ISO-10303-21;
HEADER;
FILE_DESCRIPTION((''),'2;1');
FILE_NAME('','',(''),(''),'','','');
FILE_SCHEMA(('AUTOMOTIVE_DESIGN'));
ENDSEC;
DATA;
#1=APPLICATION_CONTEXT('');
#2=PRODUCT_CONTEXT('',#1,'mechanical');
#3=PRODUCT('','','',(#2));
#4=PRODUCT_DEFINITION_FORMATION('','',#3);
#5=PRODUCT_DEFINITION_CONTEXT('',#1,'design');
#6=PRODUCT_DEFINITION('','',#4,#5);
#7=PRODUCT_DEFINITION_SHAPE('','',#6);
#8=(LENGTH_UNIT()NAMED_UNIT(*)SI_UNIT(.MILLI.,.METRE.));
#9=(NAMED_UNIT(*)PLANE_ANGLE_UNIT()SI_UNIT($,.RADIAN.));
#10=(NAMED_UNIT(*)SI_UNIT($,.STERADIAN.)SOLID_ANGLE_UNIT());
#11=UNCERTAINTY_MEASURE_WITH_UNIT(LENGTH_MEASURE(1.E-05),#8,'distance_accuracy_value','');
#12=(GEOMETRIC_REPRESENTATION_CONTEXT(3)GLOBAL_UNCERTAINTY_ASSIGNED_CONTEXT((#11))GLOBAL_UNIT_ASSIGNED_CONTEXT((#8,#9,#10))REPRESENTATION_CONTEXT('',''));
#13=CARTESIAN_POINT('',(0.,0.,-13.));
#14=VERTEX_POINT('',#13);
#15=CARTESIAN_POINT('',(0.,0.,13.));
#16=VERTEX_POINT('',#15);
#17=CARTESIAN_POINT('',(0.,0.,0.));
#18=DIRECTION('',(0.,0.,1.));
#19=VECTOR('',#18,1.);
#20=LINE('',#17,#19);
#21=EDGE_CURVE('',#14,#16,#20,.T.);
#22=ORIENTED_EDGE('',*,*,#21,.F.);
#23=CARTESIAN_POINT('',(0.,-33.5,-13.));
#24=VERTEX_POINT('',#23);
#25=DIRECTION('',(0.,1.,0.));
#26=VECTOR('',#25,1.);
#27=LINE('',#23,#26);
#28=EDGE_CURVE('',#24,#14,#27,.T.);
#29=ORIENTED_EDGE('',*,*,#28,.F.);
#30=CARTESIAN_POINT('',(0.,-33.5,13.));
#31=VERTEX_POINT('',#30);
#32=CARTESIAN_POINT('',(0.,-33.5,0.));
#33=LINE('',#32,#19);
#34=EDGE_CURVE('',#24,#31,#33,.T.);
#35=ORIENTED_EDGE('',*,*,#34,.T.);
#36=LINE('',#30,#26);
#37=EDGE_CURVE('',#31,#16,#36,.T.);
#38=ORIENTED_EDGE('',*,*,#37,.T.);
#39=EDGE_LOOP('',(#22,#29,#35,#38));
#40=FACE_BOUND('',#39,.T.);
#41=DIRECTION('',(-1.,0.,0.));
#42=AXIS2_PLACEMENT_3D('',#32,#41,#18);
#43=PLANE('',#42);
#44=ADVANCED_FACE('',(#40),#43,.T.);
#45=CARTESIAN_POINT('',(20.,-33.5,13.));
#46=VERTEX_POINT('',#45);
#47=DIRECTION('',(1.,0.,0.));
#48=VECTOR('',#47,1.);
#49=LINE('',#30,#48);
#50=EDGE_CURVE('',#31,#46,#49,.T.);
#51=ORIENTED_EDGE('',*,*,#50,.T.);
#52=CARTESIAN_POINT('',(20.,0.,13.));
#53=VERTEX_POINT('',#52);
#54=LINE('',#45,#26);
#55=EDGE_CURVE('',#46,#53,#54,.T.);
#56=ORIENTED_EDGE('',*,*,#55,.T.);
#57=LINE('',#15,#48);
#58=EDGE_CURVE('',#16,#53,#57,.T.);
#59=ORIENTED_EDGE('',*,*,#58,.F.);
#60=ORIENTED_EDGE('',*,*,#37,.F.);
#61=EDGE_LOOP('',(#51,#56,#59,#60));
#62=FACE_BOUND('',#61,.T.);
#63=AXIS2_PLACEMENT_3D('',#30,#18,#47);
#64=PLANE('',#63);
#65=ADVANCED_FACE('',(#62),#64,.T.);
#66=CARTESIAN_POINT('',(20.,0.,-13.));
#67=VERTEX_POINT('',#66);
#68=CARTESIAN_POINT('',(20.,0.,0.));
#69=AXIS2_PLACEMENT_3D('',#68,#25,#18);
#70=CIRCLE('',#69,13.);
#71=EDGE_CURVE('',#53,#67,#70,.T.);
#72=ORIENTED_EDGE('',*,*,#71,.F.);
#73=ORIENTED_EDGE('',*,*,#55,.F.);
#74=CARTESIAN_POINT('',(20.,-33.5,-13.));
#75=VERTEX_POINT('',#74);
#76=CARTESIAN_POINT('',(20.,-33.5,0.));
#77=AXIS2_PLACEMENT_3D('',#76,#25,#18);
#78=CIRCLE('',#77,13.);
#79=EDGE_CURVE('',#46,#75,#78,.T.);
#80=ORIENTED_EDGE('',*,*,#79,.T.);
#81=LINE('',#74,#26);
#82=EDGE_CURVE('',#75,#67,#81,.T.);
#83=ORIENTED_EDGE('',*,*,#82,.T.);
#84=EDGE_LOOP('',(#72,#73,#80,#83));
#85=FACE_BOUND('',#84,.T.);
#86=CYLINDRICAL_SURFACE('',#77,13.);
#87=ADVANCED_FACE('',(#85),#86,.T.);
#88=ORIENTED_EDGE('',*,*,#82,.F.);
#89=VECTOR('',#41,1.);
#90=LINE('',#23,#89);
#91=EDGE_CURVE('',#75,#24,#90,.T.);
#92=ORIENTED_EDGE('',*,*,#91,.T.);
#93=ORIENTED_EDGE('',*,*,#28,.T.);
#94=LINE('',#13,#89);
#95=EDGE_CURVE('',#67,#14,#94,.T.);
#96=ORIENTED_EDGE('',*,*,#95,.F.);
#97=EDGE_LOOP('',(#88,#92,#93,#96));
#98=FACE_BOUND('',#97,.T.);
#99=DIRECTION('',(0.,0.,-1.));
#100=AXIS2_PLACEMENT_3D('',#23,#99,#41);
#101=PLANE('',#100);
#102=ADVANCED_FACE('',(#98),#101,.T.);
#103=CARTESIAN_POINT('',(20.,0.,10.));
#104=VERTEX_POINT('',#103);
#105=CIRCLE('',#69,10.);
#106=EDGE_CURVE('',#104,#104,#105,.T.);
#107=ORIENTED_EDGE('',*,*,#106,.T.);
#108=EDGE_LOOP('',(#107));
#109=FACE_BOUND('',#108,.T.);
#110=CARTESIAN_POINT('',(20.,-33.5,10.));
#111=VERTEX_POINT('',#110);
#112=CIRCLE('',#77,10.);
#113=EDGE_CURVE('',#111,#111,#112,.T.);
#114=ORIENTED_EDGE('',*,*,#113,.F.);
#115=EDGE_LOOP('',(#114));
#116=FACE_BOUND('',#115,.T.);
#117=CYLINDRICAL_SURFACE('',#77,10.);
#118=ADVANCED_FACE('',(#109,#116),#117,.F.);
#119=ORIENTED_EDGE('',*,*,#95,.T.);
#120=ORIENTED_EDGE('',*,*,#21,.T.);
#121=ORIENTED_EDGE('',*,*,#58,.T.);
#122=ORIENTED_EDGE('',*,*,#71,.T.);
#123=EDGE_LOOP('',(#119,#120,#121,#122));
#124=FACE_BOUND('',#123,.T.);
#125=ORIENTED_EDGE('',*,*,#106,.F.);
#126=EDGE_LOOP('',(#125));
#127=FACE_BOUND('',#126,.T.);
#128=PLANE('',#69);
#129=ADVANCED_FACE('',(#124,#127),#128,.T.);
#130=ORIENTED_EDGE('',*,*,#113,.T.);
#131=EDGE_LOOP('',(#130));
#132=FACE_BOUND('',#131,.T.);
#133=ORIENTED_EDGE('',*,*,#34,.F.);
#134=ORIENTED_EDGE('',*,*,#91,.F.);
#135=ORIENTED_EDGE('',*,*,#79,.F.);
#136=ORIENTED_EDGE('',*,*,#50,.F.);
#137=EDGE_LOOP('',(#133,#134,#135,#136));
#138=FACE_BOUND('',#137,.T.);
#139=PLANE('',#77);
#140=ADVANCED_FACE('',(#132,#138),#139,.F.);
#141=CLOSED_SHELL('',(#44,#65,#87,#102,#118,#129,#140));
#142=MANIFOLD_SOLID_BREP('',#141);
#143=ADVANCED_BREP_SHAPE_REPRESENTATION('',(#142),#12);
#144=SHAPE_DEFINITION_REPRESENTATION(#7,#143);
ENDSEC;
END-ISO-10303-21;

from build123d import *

# Parameters (mm, degrees)
BOSS_EXTRUDE2_DEPTH = 33.5
SKETCH2_R           = 10
CUT_EXTRUDE1_DEPTH  = 49.787805854


with BuildPart() as part:
    # Sketch1 → Boss-Extrude2 (new body)
    with BuildSketch(Plane(origin=(0, 0, 0), x_dir=(1, 0, 0), z_dir=(0, 1, 0))):
        with BuildLine():
            Line((0, 0), (0, 13))
            Line((0, 13), (20, 13))
            ThreePointArc((20, 13), (33, 0), (20, -13))
            Line((20, -13), (0, -13))
            Line((0, -13), (0, 0))
        make_face()
    extrude(amount=-BOSS_EXTRUDE2_DEPTH)

    # Sketch2 → Cut-Extrude1 (cut, through all)
    with BuildSketch(Plane(origin=(0, 0, 0), x_dir=(1, 0, 0), z_dir=(0, 1, 0))):
        with Locations(Location((20, 0, 0), (0, 0, 270))):
            Circle(SKETCH2_R)
    extrude(amount=-CUT_EXTRUDE1_DEPTH, mode=Mode.SUBTRACT)


solid = part.part
